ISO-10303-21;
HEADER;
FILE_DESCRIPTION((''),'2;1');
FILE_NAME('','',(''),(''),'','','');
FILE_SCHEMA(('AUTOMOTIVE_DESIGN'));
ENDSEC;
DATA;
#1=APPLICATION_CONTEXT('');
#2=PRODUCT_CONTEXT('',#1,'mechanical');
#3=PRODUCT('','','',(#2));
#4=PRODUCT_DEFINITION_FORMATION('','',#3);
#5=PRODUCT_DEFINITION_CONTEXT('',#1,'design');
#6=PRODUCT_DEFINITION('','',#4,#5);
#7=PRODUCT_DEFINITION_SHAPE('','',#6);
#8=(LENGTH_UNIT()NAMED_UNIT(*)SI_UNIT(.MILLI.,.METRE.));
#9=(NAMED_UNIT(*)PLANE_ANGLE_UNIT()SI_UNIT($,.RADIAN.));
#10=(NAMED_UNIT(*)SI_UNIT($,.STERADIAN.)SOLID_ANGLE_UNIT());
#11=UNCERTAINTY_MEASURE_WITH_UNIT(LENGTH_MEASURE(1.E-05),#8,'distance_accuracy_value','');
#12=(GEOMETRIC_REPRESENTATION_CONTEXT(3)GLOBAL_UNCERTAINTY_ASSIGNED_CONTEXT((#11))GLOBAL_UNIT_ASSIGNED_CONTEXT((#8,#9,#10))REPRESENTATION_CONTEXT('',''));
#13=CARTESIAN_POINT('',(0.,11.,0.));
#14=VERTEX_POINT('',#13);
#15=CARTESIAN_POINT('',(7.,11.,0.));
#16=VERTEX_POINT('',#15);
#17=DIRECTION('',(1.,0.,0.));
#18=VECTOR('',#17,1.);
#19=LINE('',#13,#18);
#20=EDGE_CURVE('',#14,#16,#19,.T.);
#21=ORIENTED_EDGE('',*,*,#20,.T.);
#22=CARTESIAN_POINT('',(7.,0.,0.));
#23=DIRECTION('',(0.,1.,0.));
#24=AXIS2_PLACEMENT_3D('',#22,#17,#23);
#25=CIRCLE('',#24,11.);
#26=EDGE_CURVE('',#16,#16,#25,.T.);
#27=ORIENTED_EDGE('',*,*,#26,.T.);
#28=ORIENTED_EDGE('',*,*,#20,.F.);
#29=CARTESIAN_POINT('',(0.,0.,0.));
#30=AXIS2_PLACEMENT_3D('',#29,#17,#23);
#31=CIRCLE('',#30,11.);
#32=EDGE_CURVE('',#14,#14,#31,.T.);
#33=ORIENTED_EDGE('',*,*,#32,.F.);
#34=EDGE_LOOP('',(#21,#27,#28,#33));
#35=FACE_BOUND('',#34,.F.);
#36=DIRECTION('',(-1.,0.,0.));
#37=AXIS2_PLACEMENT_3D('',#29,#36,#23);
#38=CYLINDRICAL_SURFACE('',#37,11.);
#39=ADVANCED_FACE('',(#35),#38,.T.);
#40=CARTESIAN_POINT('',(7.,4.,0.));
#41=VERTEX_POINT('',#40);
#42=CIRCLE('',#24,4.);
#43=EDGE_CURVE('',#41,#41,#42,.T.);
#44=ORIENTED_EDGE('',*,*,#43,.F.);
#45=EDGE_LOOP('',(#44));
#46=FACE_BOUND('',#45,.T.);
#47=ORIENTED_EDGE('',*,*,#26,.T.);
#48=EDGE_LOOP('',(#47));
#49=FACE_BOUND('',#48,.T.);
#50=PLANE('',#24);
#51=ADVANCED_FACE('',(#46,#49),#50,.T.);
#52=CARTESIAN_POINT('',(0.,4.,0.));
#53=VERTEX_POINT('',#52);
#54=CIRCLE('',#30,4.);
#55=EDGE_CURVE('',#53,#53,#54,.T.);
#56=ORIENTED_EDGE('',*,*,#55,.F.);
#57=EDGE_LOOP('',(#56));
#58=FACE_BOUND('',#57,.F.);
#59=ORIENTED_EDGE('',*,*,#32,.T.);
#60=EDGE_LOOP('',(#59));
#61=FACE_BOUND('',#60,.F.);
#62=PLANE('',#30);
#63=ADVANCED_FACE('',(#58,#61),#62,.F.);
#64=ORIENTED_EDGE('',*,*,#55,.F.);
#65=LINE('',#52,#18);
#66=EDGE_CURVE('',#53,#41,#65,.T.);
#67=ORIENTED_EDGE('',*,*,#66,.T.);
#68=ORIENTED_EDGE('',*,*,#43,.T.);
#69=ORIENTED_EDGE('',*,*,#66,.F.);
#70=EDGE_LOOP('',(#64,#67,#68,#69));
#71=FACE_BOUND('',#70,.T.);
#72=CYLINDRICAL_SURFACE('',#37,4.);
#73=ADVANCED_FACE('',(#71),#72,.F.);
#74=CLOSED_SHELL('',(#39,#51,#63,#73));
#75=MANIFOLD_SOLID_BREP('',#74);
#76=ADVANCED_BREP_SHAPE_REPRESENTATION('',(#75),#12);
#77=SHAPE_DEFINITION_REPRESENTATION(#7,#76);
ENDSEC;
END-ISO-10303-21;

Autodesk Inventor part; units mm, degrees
ref_plane "YZ Plane" through (0, 0, 0) normal (1, 0, 0) x (0, 1, 0)
ref_plane "XZ Plane" through (0, 0, 0) normal (0, 1, 0) x (-1, 0, 0)
ref_plane "XY Plane" through (0, 0, 0) normal (0, 0, 1) x (1, 0, 0)
sketch "Sketch1" plane through (0, 0, 0) normal (1, 0, 0) x (0, 1, 0)
  circle A0 centre (0, 0) radius 4
  circle A1 centre (0, 0) radius 11
  dimension "d0" = 8
  dimension "d1" = 22
extrude "Extrusion1" add sketch "Sketch1" along normal blind 7
properties material "Copper"
